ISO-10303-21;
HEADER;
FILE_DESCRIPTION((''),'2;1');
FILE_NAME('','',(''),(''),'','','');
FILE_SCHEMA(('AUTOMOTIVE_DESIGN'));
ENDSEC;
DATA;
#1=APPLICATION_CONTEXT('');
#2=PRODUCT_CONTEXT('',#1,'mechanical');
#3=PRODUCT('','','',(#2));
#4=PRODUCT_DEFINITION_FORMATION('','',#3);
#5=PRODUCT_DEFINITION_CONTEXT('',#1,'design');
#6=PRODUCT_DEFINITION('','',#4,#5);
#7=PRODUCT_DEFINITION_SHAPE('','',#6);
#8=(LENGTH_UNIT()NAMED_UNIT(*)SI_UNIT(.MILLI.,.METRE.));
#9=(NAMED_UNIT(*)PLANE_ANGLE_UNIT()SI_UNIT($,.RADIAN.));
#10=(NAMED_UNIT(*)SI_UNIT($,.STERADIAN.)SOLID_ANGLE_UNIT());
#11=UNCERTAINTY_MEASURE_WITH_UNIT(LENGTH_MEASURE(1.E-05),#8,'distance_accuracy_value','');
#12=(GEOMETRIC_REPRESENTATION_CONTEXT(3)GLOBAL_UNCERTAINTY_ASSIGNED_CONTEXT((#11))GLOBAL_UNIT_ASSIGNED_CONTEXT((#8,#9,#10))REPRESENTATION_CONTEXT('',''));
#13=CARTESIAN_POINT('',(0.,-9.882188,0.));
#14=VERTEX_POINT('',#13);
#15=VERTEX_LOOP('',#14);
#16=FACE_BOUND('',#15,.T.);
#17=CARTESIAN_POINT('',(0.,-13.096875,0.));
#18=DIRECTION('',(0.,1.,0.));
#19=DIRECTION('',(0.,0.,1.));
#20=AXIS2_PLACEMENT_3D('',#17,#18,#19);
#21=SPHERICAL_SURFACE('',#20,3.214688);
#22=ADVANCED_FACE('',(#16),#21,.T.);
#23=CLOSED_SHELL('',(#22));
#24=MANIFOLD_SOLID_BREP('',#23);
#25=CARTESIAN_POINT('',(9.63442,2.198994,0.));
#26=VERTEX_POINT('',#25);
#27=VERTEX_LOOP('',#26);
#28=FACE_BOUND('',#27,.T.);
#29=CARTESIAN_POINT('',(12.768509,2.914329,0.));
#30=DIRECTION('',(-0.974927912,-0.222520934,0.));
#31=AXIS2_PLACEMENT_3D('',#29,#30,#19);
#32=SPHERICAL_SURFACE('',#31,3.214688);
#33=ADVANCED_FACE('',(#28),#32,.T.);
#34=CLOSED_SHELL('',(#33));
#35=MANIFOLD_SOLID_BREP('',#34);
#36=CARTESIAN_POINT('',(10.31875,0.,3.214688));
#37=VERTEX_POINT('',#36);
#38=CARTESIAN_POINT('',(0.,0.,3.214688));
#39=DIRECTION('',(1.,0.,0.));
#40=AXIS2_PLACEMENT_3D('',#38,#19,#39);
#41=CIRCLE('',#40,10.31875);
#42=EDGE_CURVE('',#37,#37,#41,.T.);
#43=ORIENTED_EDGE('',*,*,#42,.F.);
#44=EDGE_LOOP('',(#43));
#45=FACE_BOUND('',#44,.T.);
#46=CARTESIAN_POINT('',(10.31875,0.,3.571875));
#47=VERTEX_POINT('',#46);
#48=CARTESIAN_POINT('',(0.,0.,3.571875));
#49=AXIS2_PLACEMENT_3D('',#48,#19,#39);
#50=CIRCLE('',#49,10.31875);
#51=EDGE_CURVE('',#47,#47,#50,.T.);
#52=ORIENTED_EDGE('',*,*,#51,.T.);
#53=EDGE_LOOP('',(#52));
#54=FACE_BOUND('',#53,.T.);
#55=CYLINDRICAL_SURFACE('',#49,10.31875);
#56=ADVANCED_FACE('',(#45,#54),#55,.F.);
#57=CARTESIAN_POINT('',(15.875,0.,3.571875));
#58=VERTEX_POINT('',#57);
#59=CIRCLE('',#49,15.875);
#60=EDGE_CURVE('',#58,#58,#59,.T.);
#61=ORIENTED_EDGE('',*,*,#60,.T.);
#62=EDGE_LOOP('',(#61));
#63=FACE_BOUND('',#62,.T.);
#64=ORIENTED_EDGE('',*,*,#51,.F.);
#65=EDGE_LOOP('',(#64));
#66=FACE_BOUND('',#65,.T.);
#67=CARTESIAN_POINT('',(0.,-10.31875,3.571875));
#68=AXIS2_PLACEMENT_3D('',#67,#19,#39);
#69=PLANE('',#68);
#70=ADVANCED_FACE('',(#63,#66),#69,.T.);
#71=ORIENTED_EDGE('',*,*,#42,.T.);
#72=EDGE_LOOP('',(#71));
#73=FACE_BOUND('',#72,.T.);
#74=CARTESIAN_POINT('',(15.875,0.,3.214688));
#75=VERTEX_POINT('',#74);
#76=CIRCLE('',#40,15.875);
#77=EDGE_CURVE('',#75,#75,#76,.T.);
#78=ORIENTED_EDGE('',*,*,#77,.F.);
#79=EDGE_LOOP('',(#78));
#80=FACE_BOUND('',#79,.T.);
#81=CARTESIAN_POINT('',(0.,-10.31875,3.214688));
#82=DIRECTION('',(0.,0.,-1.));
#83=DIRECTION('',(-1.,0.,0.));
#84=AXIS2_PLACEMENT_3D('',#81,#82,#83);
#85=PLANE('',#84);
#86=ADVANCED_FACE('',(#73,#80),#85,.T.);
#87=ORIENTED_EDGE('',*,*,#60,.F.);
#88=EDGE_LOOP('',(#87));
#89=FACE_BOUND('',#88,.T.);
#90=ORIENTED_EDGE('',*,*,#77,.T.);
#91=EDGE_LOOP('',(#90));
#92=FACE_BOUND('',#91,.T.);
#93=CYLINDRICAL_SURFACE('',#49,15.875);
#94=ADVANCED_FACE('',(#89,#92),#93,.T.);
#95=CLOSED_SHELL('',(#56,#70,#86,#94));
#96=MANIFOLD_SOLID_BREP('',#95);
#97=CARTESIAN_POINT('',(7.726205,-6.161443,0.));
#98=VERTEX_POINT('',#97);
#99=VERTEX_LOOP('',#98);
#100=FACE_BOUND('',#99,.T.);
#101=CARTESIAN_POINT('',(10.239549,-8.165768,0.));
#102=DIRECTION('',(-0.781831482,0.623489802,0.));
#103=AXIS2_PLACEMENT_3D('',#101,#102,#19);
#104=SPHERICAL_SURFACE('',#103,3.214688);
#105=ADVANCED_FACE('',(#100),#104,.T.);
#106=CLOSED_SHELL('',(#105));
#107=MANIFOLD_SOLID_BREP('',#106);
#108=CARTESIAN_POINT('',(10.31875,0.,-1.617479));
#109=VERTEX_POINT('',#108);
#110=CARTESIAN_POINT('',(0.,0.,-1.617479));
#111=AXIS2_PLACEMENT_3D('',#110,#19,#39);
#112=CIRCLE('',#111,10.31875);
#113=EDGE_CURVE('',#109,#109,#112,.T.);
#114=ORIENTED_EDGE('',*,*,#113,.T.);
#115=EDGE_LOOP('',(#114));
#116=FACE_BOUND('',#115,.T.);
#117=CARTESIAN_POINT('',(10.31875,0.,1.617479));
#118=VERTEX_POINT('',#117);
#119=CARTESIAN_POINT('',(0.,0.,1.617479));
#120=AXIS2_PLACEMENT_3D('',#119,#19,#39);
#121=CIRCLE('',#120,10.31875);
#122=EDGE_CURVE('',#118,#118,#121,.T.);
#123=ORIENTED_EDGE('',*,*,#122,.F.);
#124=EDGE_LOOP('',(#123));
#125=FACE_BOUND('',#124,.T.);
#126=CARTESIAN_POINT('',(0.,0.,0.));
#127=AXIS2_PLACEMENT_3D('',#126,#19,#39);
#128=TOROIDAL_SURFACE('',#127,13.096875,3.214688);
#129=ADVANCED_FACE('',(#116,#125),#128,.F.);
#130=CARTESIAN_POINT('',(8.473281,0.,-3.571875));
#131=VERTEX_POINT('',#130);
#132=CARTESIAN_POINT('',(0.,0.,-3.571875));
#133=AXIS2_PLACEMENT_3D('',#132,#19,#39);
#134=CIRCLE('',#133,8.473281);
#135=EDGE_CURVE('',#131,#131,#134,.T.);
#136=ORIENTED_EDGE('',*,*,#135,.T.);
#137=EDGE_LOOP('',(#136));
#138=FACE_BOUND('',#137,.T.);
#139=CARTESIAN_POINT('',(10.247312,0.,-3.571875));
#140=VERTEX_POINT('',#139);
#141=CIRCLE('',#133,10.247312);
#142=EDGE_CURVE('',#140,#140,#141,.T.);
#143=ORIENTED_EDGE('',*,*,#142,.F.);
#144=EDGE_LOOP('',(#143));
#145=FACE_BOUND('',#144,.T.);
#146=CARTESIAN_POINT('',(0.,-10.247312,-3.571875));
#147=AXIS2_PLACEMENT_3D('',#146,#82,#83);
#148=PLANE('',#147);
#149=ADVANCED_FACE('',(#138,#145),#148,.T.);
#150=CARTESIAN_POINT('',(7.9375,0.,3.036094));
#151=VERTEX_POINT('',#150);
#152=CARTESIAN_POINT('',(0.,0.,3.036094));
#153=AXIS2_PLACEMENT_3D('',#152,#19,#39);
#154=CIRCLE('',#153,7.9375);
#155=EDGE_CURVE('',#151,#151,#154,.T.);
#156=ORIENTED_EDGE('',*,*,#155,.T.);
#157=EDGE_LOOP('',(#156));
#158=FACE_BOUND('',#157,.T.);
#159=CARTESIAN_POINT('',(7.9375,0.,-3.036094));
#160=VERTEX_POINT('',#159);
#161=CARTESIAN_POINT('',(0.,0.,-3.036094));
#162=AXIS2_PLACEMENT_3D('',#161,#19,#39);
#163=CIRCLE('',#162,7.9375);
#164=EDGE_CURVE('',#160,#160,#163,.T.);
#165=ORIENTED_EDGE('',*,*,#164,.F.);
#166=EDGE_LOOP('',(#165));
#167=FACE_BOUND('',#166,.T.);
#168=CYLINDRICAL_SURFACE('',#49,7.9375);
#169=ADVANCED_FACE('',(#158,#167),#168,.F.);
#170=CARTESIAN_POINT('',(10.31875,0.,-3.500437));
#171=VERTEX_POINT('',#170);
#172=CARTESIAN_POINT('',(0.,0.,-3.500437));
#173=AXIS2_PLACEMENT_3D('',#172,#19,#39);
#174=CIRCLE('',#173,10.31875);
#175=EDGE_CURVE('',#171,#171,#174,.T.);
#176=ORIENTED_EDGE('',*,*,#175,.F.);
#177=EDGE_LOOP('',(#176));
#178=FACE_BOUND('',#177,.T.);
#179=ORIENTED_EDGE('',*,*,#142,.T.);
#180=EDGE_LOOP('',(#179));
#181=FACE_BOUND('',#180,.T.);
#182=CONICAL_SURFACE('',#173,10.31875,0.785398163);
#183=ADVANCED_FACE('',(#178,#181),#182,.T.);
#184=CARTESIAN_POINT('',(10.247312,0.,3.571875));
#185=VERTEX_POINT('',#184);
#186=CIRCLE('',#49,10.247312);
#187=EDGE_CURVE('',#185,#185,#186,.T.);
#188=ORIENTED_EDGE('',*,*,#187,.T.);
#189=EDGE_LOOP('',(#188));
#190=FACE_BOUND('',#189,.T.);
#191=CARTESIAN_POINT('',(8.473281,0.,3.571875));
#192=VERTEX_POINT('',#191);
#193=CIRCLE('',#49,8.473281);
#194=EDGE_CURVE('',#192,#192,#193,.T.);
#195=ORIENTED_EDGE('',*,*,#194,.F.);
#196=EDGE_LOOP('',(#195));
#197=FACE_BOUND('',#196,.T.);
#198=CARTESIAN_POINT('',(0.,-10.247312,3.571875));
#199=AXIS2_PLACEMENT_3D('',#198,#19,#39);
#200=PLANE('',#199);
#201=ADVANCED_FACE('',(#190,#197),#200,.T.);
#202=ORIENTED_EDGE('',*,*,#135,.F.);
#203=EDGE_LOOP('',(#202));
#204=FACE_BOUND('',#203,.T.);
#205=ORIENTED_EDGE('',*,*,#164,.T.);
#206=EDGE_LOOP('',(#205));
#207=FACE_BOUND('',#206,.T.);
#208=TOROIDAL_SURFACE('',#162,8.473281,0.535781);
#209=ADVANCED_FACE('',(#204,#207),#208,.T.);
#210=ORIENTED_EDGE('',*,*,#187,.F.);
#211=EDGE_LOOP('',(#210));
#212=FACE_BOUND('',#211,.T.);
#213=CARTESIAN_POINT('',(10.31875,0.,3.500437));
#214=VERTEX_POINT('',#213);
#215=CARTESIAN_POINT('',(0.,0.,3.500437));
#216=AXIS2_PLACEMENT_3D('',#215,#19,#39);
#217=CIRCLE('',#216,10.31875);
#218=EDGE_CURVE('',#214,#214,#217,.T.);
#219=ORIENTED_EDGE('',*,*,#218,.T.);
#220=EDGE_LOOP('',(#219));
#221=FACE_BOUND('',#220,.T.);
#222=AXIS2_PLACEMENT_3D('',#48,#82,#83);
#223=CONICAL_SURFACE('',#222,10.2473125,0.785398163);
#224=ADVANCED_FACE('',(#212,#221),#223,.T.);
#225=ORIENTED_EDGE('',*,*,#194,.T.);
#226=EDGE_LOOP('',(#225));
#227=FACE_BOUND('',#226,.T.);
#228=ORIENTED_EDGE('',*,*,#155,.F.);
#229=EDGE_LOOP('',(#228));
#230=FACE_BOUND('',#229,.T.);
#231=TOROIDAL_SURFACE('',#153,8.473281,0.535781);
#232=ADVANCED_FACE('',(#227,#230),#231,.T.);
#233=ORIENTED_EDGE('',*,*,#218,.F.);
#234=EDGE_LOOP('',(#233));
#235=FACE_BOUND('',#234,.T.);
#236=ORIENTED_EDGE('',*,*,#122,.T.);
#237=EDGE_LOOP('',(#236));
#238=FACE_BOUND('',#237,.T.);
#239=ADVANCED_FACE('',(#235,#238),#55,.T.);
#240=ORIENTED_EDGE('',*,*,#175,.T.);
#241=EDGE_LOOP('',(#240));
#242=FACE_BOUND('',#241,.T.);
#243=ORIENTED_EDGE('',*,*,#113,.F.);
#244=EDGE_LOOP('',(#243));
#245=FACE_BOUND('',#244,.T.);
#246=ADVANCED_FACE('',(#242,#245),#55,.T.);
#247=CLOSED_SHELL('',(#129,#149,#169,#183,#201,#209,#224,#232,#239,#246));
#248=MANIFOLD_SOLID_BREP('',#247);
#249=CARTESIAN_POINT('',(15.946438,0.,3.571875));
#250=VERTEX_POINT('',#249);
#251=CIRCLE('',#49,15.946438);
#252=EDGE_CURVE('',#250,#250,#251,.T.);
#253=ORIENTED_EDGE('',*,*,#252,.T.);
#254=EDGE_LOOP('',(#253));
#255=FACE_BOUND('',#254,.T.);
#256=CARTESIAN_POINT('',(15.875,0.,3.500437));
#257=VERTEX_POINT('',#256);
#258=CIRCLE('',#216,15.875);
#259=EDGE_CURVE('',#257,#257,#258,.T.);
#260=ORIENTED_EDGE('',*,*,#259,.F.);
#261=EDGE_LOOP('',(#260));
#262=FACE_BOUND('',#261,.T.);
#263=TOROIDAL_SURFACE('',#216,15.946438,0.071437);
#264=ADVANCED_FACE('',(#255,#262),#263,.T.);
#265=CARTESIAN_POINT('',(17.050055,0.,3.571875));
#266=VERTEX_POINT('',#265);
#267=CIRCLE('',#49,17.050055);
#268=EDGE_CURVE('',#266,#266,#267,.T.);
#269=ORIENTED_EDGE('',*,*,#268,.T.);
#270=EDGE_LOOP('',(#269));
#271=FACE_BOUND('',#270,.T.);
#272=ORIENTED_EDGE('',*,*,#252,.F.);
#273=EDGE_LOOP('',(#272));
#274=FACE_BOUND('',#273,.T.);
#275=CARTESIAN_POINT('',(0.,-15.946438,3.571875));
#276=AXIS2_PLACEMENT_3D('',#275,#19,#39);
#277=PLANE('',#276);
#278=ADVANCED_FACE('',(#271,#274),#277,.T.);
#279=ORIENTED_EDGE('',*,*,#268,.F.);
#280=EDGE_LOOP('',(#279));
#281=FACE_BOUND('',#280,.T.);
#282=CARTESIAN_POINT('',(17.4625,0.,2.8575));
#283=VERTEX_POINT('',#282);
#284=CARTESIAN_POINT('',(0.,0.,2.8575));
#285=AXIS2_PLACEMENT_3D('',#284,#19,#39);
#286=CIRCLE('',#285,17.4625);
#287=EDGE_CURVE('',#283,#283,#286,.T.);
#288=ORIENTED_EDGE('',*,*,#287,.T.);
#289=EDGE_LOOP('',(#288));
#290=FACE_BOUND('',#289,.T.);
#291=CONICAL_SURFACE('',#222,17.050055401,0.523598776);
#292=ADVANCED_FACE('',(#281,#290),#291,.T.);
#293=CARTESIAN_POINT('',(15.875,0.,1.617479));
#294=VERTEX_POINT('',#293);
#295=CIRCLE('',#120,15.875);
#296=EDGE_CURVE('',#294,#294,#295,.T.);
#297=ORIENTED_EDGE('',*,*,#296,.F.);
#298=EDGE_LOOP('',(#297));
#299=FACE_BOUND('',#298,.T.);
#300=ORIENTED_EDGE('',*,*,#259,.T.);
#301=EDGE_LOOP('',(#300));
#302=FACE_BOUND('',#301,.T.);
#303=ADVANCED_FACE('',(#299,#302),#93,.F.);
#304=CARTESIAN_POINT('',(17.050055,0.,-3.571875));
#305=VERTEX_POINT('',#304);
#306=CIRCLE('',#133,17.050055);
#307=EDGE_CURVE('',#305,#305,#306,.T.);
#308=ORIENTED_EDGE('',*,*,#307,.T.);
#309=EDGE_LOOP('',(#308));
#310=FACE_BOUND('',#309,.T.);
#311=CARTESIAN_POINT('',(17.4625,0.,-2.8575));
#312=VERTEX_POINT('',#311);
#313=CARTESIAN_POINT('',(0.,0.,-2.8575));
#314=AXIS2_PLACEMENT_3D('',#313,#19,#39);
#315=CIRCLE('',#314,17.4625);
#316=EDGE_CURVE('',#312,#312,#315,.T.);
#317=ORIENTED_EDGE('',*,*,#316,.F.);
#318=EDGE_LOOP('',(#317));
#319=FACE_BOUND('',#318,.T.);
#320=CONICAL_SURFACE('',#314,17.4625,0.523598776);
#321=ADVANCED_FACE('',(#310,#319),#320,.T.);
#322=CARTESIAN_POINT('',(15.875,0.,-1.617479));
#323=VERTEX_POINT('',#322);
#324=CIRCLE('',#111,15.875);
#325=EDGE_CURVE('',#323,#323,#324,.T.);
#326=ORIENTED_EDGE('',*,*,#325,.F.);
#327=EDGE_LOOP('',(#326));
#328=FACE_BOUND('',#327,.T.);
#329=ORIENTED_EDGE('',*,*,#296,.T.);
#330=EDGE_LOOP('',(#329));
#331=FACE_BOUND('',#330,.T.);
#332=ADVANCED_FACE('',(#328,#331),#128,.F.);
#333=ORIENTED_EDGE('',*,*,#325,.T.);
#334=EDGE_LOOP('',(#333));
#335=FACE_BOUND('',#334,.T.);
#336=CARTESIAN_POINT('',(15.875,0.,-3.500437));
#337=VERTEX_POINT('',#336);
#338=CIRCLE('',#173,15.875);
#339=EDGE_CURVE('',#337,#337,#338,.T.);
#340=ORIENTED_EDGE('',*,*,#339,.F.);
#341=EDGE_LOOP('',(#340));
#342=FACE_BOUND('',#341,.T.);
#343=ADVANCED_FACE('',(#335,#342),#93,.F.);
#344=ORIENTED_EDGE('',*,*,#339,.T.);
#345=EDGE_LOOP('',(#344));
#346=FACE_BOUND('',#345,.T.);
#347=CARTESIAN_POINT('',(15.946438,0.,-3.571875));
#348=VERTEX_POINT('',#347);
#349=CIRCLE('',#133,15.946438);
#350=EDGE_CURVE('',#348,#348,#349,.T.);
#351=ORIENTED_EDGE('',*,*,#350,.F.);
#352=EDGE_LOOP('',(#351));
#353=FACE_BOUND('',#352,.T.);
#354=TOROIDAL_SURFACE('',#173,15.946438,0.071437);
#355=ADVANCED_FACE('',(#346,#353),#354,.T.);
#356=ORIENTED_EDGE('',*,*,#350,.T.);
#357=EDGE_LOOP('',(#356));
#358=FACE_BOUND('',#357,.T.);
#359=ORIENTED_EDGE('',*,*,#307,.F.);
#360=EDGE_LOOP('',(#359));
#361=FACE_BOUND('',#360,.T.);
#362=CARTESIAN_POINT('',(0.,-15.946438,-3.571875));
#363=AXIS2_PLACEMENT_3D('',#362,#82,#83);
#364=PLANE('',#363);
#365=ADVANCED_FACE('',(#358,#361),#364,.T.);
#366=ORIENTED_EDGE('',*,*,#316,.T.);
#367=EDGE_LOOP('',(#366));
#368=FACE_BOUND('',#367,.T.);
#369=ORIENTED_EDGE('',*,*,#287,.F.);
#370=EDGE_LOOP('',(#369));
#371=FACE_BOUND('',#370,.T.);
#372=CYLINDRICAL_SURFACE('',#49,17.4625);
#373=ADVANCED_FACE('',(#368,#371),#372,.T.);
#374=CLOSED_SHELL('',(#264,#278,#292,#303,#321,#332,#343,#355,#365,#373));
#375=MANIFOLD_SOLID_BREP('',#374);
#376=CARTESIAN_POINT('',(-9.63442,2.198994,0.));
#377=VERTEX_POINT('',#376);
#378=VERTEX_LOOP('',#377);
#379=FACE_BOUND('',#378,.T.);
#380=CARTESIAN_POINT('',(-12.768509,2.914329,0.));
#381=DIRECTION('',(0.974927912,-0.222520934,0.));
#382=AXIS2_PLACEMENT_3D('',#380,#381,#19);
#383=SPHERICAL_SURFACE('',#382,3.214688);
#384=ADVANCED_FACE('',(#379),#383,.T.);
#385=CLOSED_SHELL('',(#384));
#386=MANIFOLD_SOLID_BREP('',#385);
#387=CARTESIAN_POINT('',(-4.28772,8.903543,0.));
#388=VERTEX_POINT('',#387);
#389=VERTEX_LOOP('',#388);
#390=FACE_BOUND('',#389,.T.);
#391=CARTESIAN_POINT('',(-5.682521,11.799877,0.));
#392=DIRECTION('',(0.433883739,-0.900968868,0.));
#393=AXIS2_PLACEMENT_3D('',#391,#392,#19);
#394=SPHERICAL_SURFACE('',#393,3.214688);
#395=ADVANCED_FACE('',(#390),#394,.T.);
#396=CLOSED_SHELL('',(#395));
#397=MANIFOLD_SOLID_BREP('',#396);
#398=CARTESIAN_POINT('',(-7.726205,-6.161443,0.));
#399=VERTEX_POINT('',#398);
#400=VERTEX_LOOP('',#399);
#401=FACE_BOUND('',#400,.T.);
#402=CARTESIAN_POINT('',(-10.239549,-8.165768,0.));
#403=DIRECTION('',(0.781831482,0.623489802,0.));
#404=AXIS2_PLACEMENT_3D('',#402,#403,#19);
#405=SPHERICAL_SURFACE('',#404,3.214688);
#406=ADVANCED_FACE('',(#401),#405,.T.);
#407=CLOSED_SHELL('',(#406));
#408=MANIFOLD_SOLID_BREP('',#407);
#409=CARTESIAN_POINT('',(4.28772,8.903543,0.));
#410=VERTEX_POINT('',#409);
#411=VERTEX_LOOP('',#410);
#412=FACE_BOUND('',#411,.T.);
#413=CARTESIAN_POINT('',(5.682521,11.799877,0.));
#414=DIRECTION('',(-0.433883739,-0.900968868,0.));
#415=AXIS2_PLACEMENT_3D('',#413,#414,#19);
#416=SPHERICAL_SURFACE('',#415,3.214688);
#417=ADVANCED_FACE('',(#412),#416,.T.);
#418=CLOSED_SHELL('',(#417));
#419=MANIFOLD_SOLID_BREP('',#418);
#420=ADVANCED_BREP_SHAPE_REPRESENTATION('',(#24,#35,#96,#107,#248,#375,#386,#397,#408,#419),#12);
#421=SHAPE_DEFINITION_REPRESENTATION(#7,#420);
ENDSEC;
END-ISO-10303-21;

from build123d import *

# Parameters (mm, degrees)
SKETCH4_W         = 0.3571875
SKETCH4_H         = 5.55625
CIRPATTERN1_COUNT = 7


with BuildPart() as part:
    # Sketch3 → Revolve1 (revolve)
    with BuildSketch(Plane(origin=(0, 0, 0), x_dir=(0, 0, -1), z_dir=(1, 0, 0)), mode=Mode.PRIVATE) as revolve1_sk:
        with BuildLine():
            Line((-2.8575, -17.4625), (2.8575, -17.4625))
            Line((2.8575, -17.4625), (3.571875, -17.050055401))
            Line((3.571875, -17.050055401), (3.571875, -15.9464375))
            ThreePointArc((3.571875, -15.9464375), (3.550951441, -15.895923559), (3.5004375, -15.875))
            Line((3.5004375, -15.875), (1.617478657, -15.875))
            ThreePointArc((1.617478657, -15.875), (0, -16.3115625), (-1.617478657, -15.875))
            Line((-1.617478657, -15.875), (-3.5004375, -15.875))
            ThreePointArc((-3.5004375, -15.875), (-3.550951441, -15.895923559), (-3.571875, -15.9464375))
            Line((-3.571875, -15.9464375), (-3.571875, -17.050055401))
            Line((-3.571875, -17.050055401), (-2.8575, -17.4625))
        make_face()
        with BuildLine():
            Line((-3.03609375, -7.9375), (3.03609375, -7.9375))
            ThreePointArc((3.03609375, -7.9375), (3.414948305, -8.094426695), (3.571875, -8.47328125))
            Line((3.571875, -8.47328125), (3.571875, -10.2473125))
            Line((3.571875, -10.2473125), (3.5004375, -10.31875))
            Line((3.5004375, -10.31875), (1.617478657, -10.31875))
            ThreePointArc((1.617478657, -10.31875), (0, -9.8821875), (-1.617478657, -10.31875))
            Line((-1.617478657, -10.31875), (-3.5004375, -10.31875))
            Line((-3.5004375, -10.31875), (-3.571875, -10.2473125))
            Line((-3.571875, -10.2473125), (-3.571875, -8.47328125))
            ThreePointArc((-3.571875, -8.47328125), (-3.414948305, -8.094426695), (-3.03609375, -7.9375))
        make_face()
    revolve(revolve1_sk.sketch.rotate(Axis((0, 0, 3.571875), (0, 0, -1)), 270), axis=Axis((0, 0, 3.571875), (0, 0, -1)))


with BuildPart() as body_2:
    # Sketch4 → Revolve2 (revolve)
    with BuildSketch(Plane(origin=(0, 0, 0), x_dir=(0, 0, -1), z_dir=(1, 0, 0)), mode=Mode.PRIVATE) as revolve2_sk:
        with Locations((-3.39328125, -13.096875)):
            Rectangle(SKETCH4_W, SKETCH4_H)
    revolve(revolve2_sk.sketch.rotate(Axis((0, 0, 3.571875), (0, 0, -1)), 270), axis=Axis((0, 0, 3.571875), (0, 0, -1)))


with BuildPart() as body_3:
    # Sketch5 → Revolve3 (revolve)
    with BuildSketch(Plane(origin=(0, 0, 0), x_dir=(0, 0, -1), z_dir=(1, 0, 0))):
        with BuildLine():
            Line((0, -9.8821875), (0, -16.3115625))
            ThreePointArc((0, -16.3115625), (-3.2146875, -13.096875), (0, -9.8821875))
        make_face()
    revolve(axis=Axis((0, 0, 0), (0, -1, 0)))


with BuildPart() as cirpattern1_1:
    # CirPattern1: pattern copy
    add(body_3.part.rotate(Axis((0, 0, 0), (0, 0, 1)), 1 * 360 / CIRPATTERN1_COUNT))


with BuildPart() as cirpattern1_2:
    # CirPattern1: pattern copy
    add(body_3.part.rotate(Axis((0, 0, 0), (0, 0, 1)), 2 * 360 / CIRPATTERN1_COUNT))


with BuildPart() as cirpattern1_3:
    # CirPattern1: pattern copy
    add(body_3.part.rotate(Axis((0, 0, 0), (0, 0, 1)), 3 * 360 / CIRPATTERN1_COUNT))


with BuildPart() as cirpattern1_4:
    # CirPattern1: pattern copy
    add(body_3.part.rotate(Axis((0, 0, 0), (0, 0, 1)), 4 * 360 / CIRPATTERN1_COUNT))


with BuildPart() as cirpattern1_5:
    # CirPattern1: pattern copy
    add(body_3.part.rotate(Axis((0, 0, 0), (0, 0, 1)), 5 * 360 / CIRPATTERN1_COUNT))


with BuildPart() as cirpattern1_6:
    # CirPattern1: pattern copy
    add(body_3.part.rotate(Axis((0, 0, 0), (0, 0, 1)), 6 * 360 / CIRPATTERN1_COUNT))


solid = Compound([part.part, body_2.part, body_3.part, cirpattern1_1.part, cirpattern1_2.part, cirpattern1_3.part, cirpattern1_4.part, cirpattern1_5.part, cirpattern1_6.part])
